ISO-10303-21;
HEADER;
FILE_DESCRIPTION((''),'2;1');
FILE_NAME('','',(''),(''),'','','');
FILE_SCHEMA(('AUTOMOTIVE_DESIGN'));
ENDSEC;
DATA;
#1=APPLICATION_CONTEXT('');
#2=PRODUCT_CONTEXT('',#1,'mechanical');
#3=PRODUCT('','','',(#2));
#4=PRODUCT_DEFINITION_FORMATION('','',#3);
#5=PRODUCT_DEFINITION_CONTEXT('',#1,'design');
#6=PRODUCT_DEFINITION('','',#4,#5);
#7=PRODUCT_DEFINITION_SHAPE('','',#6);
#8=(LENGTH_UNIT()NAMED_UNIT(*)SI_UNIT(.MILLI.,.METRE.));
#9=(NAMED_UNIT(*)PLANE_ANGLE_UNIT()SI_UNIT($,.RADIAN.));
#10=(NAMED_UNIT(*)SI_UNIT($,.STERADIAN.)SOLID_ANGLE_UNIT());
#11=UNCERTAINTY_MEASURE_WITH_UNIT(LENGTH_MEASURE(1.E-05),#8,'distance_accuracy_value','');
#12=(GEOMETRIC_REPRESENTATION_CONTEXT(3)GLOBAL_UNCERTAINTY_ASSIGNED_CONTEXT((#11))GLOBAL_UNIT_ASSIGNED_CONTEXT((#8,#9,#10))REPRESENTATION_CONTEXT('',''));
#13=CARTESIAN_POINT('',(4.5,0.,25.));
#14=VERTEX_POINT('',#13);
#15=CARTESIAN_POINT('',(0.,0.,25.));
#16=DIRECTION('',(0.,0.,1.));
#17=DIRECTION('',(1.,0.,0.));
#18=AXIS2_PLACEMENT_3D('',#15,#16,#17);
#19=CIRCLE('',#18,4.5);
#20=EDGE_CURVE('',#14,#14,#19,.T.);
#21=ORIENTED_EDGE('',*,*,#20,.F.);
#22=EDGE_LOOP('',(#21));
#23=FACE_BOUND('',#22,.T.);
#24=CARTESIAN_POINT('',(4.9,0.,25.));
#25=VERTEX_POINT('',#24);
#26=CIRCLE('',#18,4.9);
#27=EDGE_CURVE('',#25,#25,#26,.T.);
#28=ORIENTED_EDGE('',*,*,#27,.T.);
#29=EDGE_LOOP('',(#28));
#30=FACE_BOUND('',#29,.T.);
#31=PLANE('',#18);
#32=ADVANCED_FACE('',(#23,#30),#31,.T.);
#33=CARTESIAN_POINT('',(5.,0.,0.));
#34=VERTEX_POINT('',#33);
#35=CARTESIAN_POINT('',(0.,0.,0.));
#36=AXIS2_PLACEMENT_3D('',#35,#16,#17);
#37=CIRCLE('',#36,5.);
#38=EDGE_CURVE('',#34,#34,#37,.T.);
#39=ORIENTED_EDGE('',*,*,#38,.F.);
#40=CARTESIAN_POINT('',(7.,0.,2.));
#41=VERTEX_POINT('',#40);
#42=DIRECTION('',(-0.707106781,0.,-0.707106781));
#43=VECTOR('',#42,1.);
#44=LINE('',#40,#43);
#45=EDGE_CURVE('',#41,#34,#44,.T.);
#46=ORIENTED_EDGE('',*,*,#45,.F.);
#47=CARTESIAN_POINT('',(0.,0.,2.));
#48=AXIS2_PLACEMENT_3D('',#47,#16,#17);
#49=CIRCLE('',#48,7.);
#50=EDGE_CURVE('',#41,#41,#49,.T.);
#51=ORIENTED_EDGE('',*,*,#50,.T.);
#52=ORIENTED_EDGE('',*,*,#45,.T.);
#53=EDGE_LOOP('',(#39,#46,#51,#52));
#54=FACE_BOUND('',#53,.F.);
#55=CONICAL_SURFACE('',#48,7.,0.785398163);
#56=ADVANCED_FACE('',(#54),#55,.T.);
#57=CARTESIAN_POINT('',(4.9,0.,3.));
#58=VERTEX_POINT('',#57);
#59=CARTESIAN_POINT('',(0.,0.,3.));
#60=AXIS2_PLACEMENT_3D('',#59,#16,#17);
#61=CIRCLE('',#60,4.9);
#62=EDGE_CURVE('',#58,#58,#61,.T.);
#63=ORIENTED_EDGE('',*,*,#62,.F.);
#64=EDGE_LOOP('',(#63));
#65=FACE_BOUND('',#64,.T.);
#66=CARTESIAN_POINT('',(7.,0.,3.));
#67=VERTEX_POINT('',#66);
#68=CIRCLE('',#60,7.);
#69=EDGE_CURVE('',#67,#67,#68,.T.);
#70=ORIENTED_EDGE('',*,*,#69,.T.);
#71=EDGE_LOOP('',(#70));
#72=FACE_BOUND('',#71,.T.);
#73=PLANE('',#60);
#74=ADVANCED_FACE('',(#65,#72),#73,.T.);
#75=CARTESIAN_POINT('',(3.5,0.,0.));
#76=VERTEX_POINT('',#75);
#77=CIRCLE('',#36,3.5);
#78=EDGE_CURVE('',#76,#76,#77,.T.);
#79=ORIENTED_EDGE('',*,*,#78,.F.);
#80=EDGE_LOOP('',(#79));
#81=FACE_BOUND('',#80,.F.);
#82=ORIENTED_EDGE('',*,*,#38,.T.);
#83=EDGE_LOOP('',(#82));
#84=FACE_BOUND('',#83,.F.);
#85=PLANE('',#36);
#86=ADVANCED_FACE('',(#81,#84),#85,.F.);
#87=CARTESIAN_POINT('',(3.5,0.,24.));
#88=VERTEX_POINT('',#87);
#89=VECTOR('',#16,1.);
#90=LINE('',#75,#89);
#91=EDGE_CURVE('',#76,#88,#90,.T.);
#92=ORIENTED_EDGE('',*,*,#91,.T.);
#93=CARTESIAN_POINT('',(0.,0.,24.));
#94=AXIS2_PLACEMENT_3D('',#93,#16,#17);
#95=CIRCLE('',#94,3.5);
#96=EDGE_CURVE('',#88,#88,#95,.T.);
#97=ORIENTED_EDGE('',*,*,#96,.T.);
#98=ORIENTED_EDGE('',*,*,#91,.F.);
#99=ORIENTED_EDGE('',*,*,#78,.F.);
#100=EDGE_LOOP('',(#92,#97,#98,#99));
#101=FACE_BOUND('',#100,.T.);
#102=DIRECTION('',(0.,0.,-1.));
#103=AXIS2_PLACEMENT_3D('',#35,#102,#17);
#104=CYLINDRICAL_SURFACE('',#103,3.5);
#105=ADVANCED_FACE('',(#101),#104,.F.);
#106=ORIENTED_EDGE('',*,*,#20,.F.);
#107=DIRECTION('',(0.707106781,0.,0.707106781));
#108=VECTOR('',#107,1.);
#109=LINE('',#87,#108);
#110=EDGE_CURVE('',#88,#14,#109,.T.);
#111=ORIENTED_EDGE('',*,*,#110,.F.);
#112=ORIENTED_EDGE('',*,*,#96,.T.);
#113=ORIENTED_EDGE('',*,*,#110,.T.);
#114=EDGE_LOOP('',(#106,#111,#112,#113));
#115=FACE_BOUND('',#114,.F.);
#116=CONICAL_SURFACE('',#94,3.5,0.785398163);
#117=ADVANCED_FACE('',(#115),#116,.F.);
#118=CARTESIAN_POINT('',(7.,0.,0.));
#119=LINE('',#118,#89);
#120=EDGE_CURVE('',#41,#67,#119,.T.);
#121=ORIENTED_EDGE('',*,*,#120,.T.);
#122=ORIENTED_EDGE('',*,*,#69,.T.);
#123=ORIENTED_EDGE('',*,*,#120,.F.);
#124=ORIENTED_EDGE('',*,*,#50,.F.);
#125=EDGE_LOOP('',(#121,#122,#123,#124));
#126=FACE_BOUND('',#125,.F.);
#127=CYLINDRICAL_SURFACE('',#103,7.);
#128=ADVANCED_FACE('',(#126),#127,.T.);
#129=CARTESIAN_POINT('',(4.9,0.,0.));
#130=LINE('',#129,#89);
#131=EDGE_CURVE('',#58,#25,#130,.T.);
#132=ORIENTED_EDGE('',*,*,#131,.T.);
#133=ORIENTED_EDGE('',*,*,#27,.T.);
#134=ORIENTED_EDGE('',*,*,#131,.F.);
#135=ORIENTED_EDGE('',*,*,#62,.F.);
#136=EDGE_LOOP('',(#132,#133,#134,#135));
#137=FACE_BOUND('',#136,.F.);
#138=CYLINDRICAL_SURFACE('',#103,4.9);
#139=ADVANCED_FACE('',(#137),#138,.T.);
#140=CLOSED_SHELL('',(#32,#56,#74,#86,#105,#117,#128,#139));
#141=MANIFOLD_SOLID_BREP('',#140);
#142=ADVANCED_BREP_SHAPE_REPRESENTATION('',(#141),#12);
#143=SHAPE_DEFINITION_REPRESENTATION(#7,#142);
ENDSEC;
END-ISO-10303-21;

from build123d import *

# Parameters (mm, degrees)
F0_R     = 4.9
F0_R_2   = 3.5
F1_DEPTH = 25
F0_R_3   = 7
F2_DEPTH = 3
F3_SIZE  = 2
F4_SIZE  = 1


with BuildPart() as f1:
    # F0 (on Top) → F1 (new body)
    with BuildSketch(Plane.XY):
        Circle(F0_R)
        Circle(F0_R_2, mode=Mode.SUBTRACT)
    extrude(amount=F1_DEPTH)

    # F0 (on Top) → F2 (join)
    with BuildSketch(Plane.XY):
        Circle(F0_R_3)
        Circle(F0_R, mode=Mode.SUBTRACT)
    extrude(amount=F2_DEPTH)

    # F3
    f3_edges = [f1.edges().sort_by_distance(p)[0] for p in [
        (-7, 0, 0),
    ]]
    chamfer(f3_edges, length=F3_SIZE)

    # F4
    f4_edges = [f1.edges().sort_by_distance(p)[0] for p in [
        (-3.5, 0, 25),
    ]]
    chamfer(f4_edges, length=F4_SIZE)


solid = f1.part
